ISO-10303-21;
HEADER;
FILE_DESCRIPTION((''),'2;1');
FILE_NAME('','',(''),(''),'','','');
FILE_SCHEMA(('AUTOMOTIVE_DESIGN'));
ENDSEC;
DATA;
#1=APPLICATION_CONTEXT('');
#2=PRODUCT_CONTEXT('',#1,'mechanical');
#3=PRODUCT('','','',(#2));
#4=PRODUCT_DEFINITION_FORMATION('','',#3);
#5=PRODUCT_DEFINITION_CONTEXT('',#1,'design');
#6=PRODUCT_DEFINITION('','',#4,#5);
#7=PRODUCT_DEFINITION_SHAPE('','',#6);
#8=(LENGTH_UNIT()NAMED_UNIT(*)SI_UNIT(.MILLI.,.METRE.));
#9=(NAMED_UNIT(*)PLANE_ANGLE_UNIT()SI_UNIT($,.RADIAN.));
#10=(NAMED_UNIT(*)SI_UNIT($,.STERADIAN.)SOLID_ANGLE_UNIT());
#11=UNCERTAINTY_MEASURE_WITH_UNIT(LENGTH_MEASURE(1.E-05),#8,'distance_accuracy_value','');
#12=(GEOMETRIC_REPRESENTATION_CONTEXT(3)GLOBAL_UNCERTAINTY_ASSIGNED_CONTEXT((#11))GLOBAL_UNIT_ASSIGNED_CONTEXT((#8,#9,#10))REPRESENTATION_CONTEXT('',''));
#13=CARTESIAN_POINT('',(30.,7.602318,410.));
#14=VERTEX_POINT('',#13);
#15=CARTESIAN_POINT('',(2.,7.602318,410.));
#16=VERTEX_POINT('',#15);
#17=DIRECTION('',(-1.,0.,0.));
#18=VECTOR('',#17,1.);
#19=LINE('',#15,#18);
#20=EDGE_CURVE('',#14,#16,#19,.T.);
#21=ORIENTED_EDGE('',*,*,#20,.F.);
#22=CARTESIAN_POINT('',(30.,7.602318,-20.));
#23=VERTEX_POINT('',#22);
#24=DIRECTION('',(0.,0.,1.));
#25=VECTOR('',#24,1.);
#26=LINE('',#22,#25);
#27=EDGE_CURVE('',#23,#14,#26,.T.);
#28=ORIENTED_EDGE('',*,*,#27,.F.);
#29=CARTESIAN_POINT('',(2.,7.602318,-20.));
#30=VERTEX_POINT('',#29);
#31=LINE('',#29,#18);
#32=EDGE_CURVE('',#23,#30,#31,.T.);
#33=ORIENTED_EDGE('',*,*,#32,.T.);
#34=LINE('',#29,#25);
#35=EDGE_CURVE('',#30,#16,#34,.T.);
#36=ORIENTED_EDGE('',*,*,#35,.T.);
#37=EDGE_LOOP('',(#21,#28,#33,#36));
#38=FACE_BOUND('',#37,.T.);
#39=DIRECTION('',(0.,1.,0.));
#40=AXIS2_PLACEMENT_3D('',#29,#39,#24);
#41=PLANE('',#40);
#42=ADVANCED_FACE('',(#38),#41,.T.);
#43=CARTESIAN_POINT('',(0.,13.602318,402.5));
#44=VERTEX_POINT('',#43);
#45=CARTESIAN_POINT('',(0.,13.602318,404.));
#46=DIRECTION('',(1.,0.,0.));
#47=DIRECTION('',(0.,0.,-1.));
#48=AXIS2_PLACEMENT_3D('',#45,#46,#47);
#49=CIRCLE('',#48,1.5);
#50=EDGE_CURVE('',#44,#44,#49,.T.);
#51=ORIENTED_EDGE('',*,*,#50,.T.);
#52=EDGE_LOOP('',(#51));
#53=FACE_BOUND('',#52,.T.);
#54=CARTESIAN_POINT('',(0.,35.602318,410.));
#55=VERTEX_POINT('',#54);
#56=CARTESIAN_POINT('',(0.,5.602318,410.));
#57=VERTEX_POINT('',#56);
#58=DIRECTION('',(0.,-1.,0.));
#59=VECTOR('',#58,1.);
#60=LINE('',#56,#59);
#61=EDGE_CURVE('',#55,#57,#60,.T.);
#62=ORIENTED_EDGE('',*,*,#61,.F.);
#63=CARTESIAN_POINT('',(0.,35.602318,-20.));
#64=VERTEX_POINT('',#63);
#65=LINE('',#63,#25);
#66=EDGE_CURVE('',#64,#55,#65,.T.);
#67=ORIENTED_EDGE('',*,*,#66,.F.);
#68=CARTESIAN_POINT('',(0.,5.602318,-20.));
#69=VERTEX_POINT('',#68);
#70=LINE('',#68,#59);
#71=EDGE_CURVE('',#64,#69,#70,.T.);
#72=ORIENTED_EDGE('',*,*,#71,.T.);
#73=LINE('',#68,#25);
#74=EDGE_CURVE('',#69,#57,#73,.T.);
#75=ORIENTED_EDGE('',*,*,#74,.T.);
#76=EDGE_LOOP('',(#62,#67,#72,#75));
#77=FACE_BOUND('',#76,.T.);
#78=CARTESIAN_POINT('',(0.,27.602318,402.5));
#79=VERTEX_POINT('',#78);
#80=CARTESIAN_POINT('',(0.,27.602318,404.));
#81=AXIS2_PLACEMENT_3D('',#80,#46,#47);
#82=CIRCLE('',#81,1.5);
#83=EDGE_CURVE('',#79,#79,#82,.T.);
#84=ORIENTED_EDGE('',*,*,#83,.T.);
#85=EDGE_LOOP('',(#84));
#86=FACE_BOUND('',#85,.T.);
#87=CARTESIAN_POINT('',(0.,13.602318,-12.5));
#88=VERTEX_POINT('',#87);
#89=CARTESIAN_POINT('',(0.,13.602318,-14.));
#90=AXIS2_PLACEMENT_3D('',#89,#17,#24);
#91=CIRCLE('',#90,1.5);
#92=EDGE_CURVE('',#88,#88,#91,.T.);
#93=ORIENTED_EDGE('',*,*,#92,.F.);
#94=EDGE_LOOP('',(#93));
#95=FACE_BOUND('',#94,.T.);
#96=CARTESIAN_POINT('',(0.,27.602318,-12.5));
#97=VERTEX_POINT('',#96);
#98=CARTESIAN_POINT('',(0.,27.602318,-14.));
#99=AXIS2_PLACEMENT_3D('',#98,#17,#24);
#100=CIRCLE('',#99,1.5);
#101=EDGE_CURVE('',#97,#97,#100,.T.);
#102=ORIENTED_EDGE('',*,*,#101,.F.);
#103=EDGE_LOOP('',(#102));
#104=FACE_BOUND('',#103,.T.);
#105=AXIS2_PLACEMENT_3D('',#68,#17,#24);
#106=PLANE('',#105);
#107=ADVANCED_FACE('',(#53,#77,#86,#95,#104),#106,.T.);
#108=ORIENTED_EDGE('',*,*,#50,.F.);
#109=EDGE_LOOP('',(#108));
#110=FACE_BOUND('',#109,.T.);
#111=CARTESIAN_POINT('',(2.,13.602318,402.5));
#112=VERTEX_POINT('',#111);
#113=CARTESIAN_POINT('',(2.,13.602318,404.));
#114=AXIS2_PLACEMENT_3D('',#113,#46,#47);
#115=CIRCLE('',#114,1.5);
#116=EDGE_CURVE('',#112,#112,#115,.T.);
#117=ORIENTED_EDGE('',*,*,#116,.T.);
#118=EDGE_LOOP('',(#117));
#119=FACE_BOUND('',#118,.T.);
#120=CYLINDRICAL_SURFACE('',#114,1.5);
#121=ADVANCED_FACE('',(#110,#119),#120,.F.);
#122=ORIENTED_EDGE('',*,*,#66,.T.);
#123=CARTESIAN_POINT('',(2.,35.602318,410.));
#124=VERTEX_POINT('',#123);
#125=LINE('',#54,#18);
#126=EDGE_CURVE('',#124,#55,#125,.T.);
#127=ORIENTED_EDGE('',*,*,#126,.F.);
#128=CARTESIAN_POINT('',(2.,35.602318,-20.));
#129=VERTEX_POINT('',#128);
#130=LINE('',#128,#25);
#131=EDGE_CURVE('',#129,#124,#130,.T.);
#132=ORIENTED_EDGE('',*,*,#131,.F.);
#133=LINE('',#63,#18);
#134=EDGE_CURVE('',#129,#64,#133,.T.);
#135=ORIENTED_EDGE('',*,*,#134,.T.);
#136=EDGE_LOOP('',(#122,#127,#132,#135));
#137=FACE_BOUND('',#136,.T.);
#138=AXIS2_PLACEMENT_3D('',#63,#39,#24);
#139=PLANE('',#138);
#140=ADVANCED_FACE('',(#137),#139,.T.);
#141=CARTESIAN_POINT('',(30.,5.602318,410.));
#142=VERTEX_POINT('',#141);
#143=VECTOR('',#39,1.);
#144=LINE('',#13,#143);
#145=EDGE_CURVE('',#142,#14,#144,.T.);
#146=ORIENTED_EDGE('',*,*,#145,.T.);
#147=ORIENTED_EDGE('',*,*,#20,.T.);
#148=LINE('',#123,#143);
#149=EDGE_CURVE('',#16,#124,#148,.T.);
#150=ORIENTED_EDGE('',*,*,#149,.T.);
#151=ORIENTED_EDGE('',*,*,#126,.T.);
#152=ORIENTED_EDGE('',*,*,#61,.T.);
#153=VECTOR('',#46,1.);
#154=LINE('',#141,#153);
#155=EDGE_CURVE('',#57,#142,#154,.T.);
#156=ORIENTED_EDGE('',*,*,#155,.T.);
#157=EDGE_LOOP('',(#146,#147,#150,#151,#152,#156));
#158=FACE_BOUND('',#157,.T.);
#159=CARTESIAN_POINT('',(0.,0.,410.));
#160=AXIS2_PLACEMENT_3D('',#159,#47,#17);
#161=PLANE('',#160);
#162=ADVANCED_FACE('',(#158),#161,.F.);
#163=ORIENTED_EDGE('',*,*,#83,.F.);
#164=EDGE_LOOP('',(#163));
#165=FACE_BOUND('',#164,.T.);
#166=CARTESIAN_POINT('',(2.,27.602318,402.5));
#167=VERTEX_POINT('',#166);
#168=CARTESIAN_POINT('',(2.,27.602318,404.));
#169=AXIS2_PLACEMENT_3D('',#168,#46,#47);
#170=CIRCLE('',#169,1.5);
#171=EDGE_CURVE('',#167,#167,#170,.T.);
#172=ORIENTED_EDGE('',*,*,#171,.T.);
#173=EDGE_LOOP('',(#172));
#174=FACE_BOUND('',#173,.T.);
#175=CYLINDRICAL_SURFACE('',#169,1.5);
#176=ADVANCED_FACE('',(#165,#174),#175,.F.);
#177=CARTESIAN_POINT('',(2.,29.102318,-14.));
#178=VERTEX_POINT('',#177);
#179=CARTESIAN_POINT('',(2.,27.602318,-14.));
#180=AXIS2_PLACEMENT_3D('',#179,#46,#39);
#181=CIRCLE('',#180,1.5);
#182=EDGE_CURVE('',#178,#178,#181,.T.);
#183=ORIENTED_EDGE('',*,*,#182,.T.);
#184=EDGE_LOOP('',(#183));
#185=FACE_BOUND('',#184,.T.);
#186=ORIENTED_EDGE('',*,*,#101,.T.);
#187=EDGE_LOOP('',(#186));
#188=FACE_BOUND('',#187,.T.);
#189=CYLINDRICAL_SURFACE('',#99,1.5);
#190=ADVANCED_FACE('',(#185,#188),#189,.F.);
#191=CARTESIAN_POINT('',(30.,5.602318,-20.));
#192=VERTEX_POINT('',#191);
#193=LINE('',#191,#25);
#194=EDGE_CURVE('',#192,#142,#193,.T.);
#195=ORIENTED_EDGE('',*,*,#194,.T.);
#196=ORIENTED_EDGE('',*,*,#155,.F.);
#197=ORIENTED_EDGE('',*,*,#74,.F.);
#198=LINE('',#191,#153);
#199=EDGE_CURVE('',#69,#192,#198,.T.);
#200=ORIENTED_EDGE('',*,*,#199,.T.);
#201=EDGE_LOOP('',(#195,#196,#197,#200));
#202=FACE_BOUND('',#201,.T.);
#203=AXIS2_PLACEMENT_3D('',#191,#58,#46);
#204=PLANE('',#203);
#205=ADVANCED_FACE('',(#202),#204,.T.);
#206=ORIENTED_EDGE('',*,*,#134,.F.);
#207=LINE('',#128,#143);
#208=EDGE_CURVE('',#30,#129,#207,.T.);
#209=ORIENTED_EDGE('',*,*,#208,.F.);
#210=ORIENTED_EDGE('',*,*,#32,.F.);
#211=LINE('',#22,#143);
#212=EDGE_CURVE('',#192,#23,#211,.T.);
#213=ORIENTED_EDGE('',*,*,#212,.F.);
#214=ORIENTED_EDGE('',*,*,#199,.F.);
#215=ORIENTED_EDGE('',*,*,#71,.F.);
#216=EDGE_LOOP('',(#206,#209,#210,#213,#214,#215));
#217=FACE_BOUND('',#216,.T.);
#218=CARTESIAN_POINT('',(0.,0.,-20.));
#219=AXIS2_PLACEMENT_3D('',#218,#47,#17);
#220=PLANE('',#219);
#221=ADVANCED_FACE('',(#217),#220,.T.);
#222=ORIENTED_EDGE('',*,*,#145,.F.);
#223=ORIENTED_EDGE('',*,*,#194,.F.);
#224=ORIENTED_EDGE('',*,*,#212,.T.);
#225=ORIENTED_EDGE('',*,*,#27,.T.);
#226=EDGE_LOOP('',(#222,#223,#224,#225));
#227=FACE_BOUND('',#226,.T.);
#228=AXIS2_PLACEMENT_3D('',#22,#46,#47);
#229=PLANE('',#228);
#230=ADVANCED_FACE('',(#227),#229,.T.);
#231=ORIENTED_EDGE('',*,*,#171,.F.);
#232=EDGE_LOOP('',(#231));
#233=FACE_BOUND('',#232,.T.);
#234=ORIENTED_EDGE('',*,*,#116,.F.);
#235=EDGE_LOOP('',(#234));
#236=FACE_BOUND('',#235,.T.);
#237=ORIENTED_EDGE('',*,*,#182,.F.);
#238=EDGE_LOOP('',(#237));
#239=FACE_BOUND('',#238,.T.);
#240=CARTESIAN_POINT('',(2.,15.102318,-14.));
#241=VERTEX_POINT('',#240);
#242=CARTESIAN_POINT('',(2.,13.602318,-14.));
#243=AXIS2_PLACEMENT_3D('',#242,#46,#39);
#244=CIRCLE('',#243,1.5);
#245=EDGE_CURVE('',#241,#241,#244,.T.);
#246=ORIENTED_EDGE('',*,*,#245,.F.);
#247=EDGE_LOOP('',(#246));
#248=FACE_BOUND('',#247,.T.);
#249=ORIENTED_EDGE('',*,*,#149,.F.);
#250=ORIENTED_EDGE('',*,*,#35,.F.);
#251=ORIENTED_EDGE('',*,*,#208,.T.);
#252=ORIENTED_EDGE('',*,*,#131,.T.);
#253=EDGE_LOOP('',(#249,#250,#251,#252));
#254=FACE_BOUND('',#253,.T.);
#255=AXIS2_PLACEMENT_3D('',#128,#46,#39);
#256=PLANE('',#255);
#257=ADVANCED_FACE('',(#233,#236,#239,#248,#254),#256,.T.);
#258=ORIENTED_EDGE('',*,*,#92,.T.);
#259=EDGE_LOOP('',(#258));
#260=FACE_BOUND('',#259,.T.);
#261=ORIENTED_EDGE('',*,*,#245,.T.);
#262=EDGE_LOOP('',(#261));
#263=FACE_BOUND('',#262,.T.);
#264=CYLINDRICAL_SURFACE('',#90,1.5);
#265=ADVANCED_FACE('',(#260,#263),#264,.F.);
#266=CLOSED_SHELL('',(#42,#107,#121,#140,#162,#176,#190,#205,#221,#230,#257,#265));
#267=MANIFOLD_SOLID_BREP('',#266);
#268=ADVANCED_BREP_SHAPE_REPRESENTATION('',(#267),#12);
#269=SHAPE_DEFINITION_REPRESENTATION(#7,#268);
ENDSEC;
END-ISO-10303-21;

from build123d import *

# Parameters (mm, degrees)
BOSS_EXTRUDE1_DEPTH      = 410
BOSS_EXTRUDE1_DEPTH_BACK = 20
F_3_0_3_DIAMETER_HOLE2_D = 3
F_3_0_3_DIAMETER_HOLE4_D = 3


with BuildPart() as part:
    # Sketch1 → Boss-Extrude1 (new, two sides: drawn at the far end of the back side and taken through both)
    with BuildSketch(Plane.XY.offset(-BOSS_EXTRUDE1_DEPTH_BACK)):
        Polygon((0, 5.602318429), (0, 35.602318429), (2, 35.602318429), (2, 7.602318429), (30, 7.602318429), (30, 5.602318429), align=None)
    extrude(amount=BOSS_EXTRUDE1_DEPTH + BOSS_EXTRUDE1_DEPTH_BACK)

    # Ø3.0 (3) Diameter Hole2 (through all)
    with Locations(Plane(origin=(0, 369.009951222, 221.32004832), x_dir=(0, 0, -1), z_dir=(-1, 0, 0))):
        with Locations((235.32004832, 341.407632793), (235.32004832, 355.407632793)):
            Hole(F_3_0_3_DIAMETER_HOLE2_D / 2)

    # Ø3.0 (3) Diameter Hole4 (through all)
    with Locations(Plane(origin=(2, 369.009951222, 221.32004832), x_dir=(0, 0, 1), z_dir=(1, 0, 0))):
        with Locations((182.67995168, 355.407632793), (182.67995168, 341.407632793)):
            Hole(F_3_0_3_DIAMETER_HOLE4_D / 2)


solid = part.part
